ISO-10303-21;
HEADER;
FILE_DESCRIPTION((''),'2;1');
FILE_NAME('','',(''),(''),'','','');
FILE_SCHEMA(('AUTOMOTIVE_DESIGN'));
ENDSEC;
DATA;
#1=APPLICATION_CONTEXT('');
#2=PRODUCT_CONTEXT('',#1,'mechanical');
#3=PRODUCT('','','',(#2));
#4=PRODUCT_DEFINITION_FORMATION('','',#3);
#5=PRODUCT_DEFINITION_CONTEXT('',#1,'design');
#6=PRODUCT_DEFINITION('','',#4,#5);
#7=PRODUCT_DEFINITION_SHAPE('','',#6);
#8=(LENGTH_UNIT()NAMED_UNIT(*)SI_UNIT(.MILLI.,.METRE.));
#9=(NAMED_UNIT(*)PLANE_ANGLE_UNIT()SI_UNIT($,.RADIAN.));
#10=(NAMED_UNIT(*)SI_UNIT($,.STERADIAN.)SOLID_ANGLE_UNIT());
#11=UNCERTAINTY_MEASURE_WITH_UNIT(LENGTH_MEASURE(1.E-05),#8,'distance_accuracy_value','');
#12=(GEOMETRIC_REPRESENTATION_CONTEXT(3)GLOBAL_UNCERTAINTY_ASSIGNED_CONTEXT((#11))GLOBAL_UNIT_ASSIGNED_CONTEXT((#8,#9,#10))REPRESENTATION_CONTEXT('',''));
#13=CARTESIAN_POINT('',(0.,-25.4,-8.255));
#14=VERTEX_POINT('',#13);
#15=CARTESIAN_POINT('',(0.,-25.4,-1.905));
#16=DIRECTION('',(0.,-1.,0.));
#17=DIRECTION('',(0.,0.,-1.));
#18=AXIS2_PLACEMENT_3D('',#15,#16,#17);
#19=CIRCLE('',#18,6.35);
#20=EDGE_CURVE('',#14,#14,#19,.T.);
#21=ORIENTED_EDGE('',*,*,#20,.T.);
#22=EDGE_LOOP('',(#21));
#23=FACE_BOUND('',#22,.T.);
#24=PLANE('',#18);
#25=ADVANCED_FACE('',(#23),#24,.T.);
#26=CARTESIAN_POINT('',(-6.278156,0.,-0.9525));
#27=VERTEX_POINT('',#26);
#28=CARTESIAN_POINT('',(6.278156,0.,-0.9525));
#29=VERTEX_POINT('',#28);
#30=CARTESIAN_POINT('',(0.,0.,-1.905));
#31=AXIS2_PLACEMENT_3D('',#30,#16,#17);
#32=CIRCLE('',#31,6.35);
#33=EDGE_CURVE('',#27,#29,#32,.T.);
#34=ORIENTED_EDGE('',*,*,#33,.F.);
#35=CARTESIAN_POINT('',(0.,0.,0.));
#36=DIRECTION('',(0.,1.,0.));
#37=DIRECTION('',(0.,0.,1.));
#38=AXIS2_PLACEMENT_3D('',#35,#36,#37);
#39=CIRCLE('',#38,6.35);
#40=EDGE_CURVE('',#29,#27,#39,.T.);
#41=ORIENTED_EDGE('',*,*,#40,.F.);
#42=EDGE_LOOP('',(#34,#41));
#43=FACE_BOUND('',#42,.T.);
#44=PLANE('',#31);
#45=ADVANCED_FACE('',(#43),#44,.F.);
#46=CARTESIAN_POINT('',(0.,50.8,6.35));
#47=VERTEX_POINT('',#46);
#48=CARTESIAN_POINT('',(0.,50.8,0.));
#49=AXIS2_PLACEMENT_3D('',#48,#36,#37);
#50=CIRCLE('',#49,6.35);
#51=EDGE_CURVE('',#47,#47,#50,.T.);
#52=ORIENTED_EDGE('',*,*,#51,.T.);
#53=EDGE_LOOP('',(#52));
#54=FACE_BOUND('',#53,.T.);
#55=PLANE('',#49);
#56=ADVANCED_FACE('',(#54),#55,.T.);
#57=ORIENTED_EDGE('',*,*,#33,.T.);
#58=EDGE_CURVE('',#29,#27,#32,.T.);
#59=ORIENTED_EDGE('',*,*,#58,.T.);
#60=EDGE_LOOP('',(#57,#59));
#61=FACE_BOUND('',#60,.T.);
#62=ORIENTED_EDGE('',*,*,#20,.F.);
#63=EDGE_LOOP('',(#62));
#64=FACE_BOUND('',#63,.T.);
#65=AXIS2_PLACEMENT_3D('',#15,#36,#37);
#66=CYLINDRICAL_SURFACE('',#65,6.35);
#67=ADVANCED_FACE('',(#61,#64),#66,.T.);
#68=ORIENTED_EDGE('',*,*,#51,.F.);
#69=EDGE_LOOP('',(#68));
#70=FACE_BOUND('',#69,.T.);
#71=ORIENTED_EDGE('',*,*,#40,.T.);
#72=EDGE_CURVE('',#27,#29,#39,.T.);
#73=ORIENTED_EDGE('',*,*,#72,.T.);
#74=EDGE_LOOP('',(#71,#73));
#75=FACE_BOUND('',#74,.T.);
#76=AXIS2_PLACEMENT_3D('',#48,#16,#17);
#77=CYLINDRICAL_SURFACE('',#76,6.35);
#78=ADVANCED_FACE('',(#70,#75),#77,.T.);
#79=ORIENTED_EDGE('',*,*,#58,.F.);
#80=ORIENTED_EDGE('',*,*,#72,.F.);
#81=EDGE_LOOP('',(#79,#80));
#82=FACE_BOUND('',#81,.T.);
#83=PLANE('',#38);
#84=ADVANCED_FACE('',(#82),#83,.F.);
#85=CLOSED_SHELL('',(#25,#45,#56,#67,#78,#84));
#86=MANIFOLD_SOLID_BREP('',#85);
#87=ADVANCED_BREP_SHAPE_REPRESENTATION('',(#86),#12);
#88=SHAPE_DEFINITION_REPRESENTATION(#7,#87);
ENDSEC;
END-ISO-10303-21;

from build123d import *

# Parameters (mm, degrees)
SKETCH1_R           = 6.35
BOSS_EXTRUDE1_DEPTH = 50.8
SKETCH3_R           = 6.35
BOSS_EXTRUDE2_DEPTH = 25.4


with BuildPart() as part:
    # Sketch1 → Boss-Extrude1 (new body)
    with BuildSketch(Plane(origin=(0, 0, 0), x_dir=(1, 0, 0), z_dir=(0, 1, 0))):
        with Locations(Location((0, 0, 0), (0, 0, 270))):
            Circle(SKETCH1_R)
    extrude(amount=BOSS_EXTRUDE1_DEPTH)

    # Sketch3 → Boss-Extrude2 (add)
    with BuildSketch(Plane.XZ):
        with Locations(Location((0, -1.905, 0), (0, 0, 171.373073441))):
            Circle(SKETCH3_R)
    extrude(amount=BOSS_EXTRUDE2_DEPTH)


solid = part.part
